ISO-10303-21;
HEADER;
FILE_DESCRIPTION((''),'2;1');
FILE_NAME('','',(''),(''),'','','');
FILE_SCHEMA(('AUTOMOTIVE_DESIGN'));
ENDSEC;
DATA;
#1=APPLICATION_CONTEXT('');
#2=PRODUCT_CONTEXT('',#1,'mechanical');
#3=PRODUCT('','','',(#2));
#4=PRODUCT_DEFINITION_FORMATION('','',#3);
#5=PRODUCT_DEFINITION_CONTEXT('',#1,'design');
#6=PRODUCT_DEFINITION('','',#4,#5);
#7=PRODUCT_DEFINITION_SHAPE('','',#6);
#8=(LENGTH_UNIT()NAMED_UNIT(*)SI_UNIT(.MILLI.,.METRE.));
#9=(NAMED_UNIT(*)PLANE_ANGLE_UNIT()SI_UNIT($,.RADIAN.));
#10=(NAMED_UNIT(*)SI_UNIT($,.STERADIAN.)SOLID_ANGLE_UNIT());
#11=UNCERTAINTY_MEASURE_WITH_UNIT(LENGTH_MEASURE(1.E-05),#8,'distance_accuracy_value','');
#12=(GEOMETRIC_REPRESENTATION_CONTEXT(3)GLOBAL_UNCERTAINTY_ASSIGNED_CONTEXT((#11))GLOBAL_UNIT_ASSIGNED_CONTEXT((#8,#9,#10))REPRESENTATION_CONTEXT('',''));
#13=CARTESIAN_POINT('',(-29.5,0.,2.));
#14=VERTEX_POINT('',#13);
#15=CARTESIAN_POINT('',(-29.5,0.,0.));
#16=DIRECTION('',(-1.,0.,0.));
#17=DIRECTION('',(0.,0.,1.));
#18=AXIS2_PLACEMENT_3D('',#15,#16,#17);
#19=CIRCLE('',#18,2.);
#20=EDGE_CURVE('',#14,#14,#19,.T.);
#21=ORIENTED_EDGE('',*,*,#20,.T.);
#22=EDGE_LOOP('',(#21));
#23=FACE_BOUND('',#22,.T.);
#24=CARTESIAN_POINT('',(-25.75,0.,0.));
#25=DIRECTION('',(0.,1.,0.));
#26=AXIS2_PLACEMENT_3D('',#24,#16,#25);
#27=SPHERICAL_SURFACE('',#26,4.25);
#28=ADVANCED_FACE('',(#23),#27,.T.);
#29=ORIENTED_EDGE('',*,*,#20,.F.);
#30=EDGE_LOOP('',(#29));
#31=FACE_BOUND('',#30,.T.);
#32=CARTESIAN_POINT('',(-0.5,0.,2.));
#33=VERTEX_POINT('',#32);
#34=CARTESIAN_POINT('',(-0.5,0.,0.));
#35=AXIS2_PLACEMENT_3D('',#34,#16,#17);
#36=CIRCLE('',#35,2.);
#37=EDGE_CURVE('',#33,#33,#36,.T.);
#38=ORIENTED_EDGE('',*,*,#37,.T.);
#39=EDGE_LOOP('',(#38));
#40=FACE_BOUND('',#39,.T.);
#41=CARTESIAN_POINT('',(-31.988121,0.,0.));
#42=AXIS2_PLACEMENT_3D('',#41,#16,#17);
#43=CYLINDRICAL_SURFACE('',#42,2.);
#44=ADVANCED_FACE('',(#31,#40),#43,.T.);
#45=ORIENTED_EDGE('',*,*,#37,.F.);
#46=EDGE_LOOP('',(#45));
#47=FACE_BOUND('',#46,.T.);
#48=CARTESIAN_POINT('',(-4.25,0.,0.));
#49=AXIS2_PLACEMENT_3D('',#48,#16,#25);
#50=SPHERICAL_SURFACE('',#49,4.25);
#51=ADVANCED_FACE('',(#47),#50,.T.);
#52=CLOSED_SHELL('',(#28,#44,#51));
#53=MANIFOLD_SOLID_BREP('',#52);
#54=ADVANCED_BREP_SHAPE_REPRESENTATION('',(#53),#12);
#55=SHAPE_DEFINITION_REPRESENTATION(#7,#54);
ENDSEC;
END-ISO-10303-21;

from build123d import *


with BuildPart() as part:
    # Эскиз1 → Повернуть1 (revolve)
    with BuildSketch(Plane.XY):
        with BuildLine():
            Line((-0.5, 2), (-29.5, 2))
            ThreePointArc((-29.5, 2), (-29.873105626, 1.030776406), (-30, 0))
            Line((-30, 0), (0, 0))
            ThreePointArc((0, 0), (-0.126894374, 1.030776406), (-0.5, 2))
        make_face()
    revolve(axis=Axis((-31.988120837, 0, 0), (1, 0, 0)))


solid = part.part
